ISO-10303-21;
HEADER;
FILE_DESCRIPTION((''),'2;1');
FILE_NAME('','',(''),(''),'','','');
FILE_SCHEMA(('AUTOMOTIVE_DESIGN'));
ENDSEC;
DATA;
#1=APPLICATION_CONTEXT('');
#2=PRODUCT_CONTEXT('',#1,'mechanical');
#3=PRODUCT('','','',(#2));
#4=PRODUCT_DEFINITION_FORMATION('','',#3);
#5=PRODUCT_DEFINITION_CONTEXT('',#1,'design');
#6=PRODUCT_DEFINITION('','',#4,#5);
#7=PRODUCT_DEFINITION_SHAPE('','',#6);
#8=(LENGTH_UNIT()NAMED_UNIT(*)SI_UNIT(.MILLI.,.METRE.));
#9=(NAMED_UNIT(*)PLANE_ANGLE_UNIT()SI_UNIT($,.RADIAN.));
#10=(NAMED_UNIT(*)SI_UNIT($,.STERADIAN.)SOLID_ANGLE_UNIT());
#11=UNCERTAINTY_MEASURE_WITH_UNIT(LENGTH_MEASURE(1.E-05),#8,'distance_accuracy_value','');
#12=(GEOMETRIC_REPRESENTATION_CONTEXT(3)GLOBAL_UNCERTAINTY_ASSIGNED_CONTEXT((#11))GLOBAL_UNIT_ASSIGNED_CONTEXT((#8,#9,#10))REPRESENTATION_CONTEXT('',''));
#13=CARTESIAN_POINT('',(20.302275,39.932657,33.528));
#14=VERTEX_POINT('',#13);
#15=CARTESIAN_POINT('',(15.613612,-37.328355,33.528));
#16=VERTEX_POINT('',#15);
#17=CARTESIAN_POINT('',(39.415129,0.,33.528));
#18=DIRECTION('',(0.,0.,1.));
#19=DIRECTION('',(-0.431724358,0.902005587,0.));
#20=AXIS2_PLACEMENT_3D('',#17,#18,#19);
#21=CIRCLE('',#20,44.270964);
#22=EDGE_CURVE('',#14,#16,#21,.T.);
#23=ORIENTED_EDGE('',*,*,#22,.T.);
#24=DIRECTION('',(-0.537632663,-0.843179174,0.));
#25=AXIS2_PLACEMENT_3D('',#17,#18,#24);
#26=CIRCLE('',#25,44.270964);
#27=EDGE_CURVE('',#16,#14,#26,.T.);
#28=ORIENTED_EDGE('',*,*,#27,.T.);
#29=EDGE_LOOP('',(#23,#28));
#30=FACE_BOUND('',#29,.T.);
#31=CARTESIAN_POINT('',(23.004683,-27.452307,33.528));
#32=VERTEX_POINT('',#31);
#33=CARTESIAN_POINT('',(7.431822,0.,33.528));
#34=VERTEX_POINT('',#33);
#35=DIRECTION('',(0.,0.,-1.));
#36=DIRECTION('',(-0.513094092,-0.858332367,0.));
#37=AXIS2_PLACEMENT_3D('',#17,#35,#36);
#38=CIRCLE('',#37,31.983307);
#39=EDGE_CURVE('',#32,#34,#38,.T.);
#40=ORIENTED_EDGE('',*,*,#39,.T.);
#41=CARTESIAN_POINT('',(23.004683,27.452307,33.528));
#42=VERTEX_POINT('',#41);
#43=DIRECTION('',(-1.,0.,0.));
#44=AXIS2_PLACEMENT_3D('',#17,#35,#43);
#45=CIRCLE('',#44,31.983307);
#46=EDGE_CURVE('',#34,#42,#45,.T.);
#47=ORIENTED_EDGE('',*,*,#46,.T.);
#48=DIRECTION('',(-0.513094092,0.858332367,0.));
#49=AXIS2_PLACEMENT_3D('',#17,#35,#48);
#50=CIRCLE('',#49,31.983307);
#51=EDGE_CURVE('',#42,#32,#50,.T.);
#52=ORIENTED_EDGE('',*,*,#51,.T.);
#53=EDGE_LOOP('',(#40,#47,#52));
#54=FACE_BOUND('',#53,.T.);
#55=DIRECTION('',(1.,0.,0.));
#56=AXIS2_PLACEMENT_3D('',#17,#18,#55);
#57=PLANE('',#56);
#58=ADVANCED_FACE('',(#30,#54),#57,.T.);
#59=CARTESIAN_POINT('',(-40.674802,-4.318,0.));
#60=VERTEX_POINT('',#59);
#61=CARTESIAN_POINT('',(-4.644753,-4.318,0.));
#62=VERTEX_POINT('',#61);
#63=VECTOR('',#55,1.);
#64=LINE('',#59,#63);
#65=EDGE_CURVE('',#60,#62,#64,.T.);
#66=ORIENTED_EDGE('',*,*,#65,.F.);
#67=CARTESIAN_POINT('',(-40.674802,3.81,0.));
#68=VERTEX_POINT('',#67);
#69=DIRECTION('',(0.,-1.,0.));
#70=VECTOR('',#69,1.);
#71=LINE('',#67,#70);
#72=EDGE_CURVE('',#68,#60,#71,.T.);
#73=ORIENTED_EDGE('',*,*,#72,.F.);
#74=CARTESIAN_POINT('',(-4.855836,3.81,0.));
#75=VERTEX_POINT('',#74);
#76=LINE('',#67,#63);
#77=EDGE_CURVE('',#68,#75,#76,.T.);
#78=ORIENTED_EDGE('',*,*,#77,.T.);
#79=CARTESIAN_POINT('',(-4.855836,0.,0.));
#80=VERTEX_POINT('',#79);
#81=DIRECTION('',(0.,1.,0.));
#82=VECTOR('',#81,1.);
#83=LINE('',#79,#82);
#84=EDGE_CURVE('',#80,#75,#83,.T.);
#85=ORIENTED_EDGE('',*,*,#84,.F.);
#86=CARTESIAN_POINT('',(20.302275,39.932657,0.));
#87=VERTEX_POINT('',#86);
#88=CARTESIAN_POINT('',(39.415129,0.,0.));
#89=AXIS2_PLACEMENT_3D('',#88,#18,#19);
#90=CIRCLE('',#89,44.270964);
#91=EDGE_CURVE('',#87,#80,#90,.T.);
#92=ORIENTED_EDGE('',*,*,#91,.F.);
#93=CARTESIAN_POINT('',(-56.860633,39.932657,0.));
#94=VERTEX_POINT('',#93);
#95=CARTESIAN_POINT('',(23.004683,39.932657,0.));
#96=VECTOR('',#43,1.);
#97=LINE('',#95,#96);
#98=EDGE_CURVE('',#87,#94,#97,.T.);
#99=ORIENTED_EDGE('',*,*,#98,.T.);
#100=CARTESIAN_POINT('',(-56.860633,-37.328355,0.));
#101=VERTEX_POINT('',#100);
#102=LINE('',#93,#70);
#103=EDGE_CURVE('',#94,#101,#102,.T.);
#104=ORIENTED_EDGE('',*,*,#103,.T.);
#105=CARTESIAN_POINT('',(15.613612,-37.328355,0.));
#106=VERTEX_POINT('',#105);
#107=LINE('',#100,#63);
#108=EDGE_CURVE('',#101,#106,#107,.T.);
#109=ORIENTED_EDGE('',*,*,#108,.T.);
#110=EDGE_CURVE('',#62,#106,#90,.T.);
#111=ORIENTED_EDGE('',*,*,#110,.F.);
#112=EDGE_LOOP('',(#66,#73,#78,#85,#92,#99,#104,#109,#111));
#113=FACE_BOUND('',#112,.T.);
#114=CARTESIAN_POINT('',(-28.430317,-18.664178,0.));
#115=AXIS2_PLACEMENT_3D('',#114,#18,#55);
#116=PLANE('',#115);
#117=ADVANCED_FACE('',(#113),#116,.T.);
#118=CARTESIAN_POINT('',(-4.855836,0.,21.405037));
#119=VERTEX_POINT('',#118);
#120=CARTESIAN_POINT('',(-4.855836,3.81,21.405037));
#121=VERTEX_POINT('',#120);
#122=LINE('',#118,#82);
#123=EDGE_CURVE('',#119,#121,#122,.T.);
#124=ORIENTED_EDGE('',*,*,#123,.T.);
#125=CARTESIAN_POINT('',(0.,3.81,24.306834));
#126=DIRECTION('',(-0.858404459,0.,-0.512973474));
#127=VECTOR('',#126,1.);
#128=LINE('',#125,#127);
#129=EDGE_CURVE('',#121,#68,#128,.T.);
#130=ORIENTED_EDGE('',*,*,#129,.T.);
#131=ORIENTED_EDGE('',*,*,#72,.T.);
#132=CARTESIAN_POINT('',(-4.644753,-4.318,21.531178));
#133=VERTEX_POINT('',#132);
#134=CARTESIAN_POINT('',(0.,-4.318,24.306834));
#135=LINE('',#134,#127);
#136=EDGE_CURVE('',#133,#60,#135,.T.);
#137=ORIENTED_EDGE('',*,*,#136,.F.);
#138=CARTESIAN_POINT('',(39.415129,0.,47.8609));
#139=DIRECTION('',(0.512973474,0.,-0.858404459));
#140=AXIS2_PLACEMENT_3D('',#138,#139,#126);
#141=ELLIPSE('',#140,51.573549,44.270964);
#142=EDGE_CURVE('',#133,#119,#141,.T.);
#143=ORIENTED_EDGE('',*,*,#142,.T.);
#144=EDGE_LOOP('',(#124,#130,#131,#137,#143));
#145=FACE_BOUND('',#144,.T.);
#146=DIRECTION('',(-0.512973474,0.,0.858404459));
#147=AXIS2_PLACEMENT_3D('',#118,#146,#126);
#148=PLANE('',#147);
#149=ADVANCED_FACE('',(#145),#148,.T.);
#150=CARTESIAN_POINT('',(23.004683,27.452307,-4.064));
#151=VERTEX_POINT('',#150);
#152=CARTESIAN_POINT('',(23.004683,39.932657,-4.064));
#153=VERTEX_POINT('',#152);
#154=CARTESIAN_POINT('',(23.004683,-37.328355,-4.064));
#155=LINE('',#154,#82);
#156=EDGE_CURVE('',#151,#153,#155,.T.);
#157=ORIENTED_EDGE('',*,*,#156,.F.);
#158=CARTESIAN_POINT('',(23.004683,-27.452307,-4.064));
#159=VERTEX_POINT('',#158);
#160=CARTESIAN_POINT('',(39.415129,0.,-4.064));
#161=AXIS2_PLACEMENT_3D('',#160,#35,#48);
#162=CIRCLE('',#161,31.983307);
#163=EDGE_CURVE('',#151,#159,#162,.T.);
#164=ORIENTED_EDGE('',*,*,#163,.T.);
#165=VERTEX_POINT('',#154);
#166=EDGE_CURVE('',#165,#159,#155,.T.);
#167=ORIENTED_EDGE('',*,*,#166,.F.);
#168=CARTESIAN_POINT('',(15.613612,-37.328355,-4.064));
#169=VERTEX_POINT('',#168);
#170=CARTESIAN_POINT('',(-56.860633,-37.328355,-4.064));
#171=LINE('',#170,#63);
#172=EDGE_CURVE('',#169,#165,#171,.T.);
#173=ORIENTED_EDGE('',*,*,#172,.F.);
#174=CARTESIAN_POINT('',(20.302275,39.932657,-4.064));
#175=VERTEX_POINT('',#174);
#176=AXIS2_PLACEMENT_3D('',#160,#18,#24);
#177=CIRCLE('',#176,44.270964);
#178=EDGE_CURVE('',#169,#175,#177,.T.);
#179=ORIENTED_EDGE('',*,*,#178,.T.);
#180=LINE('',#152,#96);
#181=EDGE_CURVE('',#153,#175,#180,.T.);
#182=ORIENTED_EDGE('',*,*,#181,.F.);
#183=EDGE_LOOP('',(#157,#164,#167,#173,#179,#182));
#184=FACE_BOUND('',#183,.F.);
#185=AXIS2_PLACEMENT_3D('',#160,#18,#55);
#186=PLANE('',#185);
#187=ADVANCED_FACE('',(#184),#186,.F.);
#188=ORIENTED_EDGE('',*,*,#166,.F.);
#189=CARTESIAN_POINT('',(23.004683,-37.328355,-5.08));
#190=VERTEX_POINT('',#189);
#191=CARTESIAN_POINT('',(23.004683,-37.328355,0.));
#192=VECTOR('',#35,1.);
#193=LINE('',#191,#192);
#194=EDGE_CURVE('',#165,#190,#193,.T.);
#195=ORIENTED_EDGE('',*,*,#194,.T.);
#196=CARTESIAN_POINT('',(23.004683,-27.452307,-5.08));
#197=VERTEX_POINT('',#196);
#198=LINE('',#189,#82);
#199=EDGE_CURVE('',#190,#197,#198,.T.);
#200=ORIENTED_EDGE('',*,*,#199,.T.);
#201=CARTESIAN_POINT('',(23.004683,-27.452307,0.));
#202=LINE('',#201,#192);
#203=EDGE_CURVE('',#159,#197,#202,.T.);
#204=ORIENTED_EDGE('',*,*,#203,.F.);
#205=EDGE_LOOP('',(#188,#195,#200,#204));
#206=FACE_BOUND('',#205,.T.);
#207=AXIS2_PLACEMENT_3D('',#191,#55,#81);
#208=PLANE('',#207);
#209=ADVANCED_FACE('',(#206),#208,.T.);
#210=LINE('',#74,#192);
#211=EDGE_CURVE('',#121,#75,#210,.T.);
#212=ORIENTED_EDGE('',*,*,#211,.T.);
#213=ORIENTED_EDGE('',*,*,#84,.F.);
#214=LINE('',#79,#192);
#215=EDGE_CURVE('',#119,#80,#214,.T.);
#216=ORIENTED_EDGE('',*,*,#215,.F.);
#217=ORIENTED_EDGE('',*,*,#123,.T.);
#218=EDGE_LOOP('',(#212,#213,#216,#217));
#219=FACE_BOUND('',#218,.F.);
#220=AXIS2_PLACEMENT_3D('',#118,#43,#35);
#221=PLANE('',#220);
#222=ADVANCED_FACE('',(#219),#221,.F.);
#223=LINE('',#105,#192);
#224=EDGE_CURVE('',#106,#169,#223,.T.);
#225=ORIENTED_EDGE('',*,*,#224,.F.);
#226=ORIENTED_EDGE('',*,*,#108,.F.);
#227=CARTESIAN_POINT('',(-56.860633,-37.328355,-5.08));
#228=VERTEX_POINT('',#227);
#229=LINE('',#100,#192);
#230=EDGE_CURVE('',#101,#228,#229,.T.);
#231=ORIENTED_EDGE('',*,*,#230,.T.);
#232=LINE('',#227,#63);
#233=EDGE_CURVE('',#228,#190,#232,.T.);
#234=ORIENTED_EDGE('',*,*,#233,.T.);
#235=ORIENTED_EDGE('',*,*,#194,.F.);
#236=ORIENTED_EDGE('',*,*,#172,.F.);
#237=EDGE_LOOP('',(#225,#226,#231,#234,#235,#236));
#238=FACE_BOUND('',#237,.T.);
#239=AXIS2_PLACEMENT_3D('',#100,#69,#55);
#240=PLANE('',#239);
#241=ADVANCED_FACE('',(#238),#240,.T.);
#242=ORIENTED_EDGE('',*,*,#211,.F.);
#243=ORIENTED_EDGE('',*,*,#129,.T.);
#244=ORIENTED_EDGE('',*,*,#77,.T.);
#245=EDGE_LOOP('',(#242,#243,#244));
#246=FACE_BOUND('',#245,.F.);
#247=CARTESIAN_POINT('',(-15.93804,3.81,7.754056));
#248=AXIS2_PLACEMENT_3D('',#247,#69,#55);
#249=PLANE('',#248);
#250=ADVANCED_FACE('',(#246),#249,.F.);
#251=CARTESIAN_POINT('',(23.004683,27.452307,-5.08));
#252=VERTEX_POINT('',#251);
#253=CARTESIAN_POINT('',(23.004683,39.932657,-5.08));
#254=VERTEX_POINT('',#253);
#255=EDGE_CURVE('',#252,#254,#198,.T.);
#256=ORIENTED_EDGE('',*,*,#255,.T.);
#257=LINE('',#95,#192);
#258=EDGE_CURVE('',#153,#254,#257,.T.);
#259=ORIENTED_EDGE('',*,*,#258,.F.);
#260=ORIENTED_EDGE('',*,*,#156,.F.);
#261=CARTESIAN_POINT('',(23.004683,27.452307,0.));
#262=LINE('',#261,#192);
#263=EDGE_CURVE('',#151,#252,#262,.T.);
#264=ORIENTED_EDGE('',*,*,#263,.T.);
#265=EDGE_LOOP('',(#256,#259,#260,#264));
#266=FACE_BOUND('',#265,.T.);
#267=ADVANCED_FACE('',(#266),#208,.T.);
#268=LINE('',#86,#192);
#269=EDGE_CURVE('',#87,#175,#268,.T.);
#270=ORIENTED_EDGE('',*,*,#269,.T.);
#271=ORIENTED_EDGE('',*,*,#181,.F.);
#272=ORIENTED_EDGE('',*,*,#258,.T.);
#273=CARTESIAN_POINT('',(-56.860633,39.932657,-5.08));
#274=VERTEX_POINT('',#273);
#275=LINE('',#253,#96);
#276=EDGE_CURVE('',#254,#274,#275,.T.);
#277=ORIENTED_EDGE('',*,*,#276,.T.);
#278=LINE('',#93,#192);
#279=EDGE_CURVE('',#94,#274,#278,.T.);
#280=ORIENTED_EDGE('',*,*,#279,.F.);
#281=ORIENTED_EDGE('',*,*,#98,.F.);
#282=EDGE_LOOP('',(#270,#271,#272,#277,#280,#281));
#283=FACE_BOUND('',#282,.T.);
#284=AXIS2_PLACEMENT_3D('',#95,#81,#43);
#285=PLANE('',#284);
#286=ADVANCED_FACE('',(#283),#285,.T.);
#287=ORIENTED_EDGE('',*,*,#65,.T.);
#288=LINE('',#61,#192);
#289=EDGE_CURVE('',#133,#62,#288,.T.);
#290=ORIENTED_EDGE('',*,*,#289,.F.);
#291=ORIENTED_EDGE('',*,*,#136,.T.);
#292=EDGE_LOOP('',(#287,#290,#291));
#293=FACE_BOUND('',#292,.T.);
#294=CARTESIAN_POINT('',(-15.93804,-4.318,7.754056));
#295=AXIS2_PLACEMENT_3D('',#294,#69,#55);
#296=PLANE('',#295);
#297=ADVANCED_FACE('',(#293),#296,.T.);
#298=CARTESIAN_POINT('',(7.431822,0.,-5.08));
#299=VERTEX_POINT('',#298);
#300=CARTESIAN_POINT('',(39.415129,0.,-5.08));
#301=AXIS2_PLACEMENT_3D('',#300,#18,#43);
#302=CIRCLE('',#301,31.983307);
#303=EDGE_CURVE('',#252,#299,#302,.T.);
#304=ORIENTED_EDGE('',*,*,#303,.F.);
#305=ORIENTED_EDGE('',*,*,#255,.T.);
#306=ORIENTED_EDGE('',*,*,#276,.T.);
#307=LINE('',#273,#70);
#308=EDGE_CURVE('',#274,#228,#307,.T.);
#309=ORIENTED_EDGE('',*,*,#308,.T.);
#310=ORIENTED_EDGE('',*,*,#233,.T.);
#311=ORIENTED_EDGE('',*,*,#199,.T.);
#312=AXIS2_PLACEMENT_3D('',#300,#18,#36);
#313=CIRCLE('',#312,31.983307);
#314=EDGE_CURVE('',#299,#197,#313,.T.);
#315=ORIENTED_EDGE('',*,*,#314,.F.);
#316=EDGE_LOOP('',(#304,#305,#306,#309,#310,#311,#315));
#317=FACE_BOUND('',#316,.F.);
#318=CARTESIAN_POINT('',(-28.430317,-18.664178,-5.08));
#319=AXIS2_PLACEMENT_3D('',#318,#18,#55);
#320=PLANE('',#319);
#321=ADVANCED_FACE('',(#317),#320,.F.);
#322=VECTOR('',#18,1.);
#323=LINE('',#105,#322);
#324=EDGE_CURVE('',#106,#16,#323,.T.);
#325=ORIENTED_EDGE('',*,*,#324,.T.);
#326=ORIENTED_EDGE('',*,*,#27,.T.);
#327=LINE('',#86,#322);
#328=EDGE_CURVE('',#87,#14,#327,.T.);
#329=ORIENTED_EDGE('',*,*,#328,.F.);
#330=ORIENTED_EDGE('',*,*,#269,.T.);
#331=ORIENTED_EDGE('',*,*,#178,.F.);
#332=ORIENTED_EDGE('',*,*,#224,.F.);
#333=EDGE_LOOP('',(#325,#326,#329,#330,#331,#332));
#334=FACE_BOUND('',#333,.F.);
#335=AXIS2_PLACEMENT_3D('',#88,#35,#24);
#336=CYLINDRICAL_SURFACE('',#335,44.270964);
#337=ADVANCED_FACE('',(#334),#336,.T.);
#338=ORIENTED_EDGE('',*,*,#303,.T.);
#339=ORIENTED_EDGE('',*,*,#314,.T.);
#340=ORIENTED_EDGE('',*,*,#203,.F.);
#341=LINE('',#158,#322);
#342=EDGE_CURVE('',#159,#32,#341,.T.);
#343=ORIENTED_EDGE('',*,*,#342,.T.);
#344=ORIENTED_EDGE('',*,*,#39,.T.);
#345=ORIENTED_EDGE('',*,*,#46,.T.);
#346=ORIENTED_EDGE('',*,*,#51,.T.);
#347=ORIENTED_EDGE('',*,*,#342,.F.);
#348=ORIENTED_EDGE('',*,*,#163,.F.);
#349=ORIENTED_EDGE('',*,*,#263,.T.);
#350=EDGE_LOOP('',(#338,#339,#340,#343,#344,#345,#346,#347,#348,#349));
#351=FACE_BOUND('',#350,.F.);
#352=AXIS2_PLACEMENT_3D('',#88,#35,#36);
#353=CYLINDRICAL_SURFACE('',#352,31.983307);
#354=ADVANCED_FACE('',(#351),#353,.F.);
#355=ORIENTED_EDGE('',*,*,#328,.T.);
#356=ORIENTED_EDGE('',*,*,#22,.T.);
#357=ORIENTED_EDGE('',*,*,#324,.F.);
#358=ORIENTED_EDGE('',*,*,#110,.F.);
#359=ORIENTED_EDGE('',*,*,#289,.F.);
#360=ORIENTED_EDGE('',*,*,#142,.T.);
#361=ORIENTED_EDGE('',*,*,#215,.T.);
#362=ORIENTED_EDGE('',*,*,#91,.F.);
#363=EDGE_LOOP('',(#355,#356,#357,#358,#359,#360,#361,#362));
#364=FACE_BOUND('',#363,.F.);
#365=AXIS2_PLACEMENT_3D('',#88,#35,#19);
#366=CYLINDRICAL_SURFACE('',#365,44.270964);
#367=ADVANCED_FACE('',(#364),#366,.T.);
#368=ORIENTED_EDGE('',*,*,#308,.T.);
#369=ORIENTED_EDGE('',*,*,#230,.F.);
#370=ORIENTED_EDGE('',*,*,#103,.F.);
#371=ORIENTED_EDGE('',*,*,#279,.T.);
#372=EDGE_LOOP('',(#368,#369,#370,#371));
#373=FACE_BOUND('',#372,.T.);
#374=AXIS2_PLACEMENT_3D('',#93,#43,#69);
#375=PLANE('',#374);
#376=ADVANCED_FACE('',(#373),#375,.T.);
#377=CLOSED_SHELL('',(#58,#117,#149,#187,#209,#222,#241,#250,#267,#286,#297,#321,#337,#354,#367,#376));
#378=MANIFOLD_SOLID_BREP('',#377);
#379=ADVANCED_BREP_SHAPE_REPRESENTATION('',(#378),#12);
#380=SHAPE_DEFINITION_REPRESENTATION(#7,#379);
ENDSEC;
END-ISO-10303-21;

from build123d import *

# Parameters (mm, degrees)
F0_W     = 56.8606331944
F0_H     = 37.3283550143
F0_H_2   = 39.9326570332
F0_W_2   = 23.0046827346
F1_DEPTH = 5.08
F2_R     = 44.2709641818
F3_DEPTH = 33.528
F4_DEPTH = 4.064
F5_DEPTH = 123.698
F7_DEPTH = 4.318
F8_DEPTH = 3.81


with BuildPart() as f1:
    # F0 (on Top) → F1 (new body)
    with BuildSketch(Plane.XY):
        with Locations((-28.4303165972, -18.6641775072)):
            Rectangle(F0_W, F0_H)
        with Locations((-28.4303165972, 19.9663285166)):
            Rectangle(F0_W, F0_H_2)
        with Locations((11.5023413673, 19.9663285166)):
            Rectangle(F0_W_2, F0_H_2)
        with Locations((11.5023413673, -18.6641775072)):
            Rectangle(F0_W_2, F0_H)
    extrude(amount=-F1_DEPTH)

    # F2 (on face) → F3 (join)
    with BuildSketch(Plane.XY):
        with Locations((39.4151285291, 0)):
            Circle(F2_R)
        with BuildLine():
            ThreePointArc((7.4318216845, 0), (39.4151285291, 31.9833068446), (71.3984353737, 0))
            ThreePointArc((71.3984353737, 0), (39.4151285291, -31.9833068446), (7.4318216845, 0))
        make_face(mode=Mode.SUBTRACT)
        with BuildLine():
            ThreePointArc((23.0046827346, -27.4523074721), (11.5961400498, -15.7808680594), (7.4318216845, 0))
            ThreePointArc((7.4318216845, 0), (11.5961400498, 15.7808680594), (23.0046827346, 27.4523074721))
            Line((23.0046827346, 27.4523074721), (23.0046827346, 39.9326570332))
            Line((23.0046827346, 39.9326570332), (20.3022749521, 39.9326570332))
            ThreePointArc((20.3022749521, 39.9326570332), (-4.7745397503, 2.6816947903), (15.6136121591, -37.3283550143))
            Line((15.6136121591, -37.3283550143), (23.0046827346, -37.3283550143))
            Line((23.0046827346, -37.3283550143), (23.0046827346, -27.4523074721))
        make_face()
    extrude(amount=F3_DEPTH)

    # F4 (add): a face of the model
    f4_faces = [f1.faces().sort_by_distance(p)[0] for p in [
        (60.1643011313, -37.8384648316, 0),
    ]]
    extrude(f4_faces, amount=F4_DEPTH)

    # F5 (cut): a face of the model
    f5_faces = [f1.faces().sort_by_distance(p)[0] for p in [
        (16.6239663947, 0, 0),
    ]]
    extrude(f5_faces, amount=-F5_DEPTH, mode=Mode.SUBTRACT)

    # F6 (on Front) → F7 (join)
    with BuildSketch(Plane.XZ):
        Polygon((-40.6748019159, 0), (0, 0), (0, 24.306833744), align=None)
    extrude(amount=F7_DEPTH)

    # F8 (add): a face of the model
    f8_faces = [f1.faces().sort_by_distance(p)[0] for p in [
        (-16.7954910738, 0, 7.1350124797),
    ]]
    extrude(f8_faces, amount=F8_DEPTH)


solid = f1.part
